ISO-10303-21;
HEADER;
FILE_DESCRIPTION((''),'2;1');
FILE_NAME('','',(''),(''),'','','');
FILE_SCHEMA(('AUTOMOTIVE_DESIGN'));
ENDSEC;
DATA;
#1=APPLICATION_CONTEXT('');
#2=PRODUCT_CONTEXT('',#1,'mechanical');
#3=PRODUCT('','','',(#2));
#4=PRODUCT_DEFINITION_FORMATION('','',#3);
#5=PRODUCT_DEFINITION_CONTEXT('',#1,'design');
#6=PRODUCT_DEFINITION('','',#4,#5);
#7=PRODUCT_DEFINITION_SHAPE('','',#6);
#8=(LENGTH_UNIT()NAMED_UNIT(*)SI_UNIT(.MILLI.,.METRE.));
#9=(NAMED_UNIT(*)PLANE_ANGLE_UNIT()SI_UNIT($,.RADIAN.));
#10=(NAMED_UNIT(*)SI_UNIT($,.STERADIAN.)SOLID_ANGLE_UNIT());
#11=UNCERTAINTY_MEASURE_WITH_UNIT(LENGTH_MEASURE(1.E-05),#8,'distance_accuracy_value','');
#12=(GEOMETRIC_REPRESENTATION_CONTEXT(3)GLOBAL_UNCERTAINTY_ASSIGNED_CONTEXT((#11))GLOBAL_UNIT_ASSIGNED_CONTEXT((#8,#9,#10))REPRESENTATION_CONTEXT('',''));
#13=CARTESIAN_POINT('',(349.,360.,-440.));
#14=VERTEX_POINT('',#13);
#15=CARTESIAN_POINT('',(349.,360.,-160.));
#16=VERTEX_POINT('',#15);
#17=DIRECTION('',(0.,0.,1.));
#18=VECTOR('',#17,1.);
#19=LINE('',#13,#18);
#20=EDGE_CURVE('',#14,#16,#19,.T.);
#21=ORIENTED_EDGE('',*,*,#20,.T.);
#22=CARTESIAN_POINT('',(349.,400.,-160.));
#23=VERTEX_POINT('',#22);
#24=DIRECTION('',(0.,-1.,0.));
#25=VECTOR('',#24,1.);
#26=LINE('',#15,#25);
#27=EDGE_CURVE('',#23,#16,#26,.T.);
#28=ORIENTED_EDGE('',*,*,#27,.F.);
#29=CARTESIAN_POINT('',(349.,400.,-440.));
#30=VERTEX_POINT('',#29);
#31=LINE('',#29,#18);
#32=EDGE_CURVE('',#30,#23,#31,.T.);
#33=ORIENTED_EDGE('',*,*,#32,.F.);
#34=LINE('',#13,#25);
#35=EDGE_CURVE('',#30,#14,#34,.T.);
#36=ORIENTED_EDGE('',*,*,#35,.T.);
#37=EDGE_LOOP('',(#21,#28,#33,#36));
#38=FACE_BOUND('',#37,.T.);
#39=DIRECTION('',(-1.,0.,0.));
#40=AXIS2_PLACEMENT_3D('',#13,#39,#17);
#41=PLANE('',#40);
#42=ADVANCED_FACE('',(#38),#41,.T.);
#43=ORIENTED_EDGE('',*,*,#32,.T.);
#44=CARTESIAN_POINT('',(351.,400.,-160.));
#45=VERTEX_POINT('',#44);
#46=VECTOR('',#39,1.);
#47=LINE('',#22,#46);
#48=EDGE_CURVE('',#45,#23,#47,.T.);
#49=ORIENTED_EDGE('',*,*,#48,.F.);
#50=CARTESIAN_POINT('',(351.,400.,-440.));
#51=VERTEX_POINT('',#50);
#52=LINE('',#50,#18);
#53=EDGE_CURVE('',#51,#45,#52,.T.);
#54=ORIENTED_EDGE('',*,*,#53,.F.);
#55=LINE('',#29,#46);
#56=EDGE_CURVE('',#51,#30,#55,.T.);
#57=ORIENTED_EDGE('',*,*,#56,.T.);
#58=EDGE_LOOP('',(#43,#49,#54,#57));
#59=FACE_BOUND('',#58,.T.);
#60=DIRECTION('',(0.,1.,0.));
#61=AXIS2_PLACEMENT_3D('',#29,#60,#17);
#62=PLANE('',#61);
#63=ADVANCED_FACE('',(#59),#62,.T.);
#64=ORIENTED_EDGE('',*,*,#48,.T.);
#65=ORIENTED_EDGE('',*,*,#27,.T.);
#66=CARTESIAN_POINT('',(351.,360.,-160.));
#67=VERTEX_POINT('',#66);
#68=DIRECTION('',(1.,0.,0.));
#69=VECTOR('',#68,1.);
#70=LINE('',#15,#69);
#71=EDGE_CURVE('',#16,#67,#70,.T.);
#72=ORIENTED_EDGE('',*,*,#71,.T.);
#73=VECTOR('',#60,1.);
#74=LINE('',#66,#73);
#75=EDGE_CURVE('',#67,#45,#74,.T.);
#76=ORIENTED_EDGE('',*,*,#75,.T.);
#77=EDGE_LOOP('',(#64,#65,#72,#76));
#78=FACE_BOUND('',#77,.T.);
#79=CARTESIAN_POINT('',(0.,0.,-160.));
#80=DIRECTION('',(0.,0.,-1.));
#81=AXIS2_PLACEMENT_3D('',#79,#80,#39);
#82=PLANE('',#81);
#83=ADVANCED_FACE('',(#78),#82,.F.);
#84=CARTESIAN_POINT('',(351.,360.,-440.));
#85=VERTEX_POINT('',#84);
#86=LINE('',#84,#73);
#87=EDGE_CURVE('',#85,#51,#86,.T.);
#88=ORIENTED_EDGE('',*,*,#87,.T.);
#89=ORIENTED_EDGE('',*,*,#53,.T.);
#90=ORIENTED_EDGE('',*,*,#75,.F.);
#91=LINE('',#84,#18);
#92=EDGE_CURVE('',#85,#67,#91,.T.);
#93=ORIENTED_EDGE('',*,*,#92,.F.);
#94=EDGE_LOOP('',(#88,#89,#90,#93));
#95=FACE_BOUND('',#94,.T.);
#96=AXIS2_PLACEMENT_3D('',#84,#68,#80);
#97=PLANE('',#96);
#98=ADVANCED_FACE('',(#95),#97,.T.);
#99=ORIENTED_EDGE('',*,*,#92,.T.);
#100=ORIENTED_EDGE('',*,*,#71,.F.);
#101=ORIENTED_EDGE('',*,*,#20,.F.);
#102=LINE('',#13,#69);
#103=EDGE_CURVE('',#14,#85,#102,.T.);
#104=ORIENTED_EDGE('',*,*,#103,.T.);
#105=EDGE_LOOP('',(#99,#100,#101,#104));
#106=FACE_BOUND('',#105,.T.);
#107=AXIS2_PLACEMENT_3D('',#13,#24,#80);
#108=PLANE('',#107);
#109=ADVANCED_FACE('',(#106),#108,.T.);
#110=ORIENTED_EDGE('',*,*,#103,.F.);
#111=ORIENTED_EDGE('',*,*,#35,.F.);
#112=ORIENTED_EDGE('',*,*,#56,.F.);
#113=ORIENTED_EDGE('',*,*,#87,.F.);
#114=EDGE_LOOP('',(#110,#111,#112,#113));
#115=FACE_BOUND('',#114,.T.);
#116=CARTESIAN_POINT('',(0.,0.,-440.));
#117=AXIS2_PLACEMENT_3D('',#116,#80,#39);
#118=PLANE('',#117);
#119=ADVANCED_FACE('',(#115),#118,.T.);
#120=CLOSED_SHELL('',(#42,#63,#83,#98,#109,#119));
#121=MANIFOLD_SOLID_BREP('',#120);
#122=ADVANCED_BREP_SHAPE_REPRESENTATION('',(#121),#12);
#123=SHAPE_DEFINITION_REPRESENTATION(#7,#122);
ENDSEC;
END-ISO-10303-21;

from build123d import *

# Parameters (mm, degrees)
OVEN_KESME_BICAK_2_2X28_T1_2_1_START = -160
SKETCH1_W                            = 2
SKETCH1_H                            = 40
OVEN_KESME_BICAK_2_2X28_T1_2_1_DEPTH = 280


with BuildPart() as part:
    # Sketch1 → OVEN_kesme_bicak_2_2x28_t1.2_1 (new body)
    with BuildSketch(Plane.XY.offset(OVEN_KESME_BICAK_2_2X28_T1_2_1_START)):
        with Locations((350, 380)):
            Rectangle(SKETCH1_W, SKETCH1_H)
    extrude(amount=-OVEN_KESME_BICAK_2_2X28_T1_2_1_DEPTH)


solid = part.part
